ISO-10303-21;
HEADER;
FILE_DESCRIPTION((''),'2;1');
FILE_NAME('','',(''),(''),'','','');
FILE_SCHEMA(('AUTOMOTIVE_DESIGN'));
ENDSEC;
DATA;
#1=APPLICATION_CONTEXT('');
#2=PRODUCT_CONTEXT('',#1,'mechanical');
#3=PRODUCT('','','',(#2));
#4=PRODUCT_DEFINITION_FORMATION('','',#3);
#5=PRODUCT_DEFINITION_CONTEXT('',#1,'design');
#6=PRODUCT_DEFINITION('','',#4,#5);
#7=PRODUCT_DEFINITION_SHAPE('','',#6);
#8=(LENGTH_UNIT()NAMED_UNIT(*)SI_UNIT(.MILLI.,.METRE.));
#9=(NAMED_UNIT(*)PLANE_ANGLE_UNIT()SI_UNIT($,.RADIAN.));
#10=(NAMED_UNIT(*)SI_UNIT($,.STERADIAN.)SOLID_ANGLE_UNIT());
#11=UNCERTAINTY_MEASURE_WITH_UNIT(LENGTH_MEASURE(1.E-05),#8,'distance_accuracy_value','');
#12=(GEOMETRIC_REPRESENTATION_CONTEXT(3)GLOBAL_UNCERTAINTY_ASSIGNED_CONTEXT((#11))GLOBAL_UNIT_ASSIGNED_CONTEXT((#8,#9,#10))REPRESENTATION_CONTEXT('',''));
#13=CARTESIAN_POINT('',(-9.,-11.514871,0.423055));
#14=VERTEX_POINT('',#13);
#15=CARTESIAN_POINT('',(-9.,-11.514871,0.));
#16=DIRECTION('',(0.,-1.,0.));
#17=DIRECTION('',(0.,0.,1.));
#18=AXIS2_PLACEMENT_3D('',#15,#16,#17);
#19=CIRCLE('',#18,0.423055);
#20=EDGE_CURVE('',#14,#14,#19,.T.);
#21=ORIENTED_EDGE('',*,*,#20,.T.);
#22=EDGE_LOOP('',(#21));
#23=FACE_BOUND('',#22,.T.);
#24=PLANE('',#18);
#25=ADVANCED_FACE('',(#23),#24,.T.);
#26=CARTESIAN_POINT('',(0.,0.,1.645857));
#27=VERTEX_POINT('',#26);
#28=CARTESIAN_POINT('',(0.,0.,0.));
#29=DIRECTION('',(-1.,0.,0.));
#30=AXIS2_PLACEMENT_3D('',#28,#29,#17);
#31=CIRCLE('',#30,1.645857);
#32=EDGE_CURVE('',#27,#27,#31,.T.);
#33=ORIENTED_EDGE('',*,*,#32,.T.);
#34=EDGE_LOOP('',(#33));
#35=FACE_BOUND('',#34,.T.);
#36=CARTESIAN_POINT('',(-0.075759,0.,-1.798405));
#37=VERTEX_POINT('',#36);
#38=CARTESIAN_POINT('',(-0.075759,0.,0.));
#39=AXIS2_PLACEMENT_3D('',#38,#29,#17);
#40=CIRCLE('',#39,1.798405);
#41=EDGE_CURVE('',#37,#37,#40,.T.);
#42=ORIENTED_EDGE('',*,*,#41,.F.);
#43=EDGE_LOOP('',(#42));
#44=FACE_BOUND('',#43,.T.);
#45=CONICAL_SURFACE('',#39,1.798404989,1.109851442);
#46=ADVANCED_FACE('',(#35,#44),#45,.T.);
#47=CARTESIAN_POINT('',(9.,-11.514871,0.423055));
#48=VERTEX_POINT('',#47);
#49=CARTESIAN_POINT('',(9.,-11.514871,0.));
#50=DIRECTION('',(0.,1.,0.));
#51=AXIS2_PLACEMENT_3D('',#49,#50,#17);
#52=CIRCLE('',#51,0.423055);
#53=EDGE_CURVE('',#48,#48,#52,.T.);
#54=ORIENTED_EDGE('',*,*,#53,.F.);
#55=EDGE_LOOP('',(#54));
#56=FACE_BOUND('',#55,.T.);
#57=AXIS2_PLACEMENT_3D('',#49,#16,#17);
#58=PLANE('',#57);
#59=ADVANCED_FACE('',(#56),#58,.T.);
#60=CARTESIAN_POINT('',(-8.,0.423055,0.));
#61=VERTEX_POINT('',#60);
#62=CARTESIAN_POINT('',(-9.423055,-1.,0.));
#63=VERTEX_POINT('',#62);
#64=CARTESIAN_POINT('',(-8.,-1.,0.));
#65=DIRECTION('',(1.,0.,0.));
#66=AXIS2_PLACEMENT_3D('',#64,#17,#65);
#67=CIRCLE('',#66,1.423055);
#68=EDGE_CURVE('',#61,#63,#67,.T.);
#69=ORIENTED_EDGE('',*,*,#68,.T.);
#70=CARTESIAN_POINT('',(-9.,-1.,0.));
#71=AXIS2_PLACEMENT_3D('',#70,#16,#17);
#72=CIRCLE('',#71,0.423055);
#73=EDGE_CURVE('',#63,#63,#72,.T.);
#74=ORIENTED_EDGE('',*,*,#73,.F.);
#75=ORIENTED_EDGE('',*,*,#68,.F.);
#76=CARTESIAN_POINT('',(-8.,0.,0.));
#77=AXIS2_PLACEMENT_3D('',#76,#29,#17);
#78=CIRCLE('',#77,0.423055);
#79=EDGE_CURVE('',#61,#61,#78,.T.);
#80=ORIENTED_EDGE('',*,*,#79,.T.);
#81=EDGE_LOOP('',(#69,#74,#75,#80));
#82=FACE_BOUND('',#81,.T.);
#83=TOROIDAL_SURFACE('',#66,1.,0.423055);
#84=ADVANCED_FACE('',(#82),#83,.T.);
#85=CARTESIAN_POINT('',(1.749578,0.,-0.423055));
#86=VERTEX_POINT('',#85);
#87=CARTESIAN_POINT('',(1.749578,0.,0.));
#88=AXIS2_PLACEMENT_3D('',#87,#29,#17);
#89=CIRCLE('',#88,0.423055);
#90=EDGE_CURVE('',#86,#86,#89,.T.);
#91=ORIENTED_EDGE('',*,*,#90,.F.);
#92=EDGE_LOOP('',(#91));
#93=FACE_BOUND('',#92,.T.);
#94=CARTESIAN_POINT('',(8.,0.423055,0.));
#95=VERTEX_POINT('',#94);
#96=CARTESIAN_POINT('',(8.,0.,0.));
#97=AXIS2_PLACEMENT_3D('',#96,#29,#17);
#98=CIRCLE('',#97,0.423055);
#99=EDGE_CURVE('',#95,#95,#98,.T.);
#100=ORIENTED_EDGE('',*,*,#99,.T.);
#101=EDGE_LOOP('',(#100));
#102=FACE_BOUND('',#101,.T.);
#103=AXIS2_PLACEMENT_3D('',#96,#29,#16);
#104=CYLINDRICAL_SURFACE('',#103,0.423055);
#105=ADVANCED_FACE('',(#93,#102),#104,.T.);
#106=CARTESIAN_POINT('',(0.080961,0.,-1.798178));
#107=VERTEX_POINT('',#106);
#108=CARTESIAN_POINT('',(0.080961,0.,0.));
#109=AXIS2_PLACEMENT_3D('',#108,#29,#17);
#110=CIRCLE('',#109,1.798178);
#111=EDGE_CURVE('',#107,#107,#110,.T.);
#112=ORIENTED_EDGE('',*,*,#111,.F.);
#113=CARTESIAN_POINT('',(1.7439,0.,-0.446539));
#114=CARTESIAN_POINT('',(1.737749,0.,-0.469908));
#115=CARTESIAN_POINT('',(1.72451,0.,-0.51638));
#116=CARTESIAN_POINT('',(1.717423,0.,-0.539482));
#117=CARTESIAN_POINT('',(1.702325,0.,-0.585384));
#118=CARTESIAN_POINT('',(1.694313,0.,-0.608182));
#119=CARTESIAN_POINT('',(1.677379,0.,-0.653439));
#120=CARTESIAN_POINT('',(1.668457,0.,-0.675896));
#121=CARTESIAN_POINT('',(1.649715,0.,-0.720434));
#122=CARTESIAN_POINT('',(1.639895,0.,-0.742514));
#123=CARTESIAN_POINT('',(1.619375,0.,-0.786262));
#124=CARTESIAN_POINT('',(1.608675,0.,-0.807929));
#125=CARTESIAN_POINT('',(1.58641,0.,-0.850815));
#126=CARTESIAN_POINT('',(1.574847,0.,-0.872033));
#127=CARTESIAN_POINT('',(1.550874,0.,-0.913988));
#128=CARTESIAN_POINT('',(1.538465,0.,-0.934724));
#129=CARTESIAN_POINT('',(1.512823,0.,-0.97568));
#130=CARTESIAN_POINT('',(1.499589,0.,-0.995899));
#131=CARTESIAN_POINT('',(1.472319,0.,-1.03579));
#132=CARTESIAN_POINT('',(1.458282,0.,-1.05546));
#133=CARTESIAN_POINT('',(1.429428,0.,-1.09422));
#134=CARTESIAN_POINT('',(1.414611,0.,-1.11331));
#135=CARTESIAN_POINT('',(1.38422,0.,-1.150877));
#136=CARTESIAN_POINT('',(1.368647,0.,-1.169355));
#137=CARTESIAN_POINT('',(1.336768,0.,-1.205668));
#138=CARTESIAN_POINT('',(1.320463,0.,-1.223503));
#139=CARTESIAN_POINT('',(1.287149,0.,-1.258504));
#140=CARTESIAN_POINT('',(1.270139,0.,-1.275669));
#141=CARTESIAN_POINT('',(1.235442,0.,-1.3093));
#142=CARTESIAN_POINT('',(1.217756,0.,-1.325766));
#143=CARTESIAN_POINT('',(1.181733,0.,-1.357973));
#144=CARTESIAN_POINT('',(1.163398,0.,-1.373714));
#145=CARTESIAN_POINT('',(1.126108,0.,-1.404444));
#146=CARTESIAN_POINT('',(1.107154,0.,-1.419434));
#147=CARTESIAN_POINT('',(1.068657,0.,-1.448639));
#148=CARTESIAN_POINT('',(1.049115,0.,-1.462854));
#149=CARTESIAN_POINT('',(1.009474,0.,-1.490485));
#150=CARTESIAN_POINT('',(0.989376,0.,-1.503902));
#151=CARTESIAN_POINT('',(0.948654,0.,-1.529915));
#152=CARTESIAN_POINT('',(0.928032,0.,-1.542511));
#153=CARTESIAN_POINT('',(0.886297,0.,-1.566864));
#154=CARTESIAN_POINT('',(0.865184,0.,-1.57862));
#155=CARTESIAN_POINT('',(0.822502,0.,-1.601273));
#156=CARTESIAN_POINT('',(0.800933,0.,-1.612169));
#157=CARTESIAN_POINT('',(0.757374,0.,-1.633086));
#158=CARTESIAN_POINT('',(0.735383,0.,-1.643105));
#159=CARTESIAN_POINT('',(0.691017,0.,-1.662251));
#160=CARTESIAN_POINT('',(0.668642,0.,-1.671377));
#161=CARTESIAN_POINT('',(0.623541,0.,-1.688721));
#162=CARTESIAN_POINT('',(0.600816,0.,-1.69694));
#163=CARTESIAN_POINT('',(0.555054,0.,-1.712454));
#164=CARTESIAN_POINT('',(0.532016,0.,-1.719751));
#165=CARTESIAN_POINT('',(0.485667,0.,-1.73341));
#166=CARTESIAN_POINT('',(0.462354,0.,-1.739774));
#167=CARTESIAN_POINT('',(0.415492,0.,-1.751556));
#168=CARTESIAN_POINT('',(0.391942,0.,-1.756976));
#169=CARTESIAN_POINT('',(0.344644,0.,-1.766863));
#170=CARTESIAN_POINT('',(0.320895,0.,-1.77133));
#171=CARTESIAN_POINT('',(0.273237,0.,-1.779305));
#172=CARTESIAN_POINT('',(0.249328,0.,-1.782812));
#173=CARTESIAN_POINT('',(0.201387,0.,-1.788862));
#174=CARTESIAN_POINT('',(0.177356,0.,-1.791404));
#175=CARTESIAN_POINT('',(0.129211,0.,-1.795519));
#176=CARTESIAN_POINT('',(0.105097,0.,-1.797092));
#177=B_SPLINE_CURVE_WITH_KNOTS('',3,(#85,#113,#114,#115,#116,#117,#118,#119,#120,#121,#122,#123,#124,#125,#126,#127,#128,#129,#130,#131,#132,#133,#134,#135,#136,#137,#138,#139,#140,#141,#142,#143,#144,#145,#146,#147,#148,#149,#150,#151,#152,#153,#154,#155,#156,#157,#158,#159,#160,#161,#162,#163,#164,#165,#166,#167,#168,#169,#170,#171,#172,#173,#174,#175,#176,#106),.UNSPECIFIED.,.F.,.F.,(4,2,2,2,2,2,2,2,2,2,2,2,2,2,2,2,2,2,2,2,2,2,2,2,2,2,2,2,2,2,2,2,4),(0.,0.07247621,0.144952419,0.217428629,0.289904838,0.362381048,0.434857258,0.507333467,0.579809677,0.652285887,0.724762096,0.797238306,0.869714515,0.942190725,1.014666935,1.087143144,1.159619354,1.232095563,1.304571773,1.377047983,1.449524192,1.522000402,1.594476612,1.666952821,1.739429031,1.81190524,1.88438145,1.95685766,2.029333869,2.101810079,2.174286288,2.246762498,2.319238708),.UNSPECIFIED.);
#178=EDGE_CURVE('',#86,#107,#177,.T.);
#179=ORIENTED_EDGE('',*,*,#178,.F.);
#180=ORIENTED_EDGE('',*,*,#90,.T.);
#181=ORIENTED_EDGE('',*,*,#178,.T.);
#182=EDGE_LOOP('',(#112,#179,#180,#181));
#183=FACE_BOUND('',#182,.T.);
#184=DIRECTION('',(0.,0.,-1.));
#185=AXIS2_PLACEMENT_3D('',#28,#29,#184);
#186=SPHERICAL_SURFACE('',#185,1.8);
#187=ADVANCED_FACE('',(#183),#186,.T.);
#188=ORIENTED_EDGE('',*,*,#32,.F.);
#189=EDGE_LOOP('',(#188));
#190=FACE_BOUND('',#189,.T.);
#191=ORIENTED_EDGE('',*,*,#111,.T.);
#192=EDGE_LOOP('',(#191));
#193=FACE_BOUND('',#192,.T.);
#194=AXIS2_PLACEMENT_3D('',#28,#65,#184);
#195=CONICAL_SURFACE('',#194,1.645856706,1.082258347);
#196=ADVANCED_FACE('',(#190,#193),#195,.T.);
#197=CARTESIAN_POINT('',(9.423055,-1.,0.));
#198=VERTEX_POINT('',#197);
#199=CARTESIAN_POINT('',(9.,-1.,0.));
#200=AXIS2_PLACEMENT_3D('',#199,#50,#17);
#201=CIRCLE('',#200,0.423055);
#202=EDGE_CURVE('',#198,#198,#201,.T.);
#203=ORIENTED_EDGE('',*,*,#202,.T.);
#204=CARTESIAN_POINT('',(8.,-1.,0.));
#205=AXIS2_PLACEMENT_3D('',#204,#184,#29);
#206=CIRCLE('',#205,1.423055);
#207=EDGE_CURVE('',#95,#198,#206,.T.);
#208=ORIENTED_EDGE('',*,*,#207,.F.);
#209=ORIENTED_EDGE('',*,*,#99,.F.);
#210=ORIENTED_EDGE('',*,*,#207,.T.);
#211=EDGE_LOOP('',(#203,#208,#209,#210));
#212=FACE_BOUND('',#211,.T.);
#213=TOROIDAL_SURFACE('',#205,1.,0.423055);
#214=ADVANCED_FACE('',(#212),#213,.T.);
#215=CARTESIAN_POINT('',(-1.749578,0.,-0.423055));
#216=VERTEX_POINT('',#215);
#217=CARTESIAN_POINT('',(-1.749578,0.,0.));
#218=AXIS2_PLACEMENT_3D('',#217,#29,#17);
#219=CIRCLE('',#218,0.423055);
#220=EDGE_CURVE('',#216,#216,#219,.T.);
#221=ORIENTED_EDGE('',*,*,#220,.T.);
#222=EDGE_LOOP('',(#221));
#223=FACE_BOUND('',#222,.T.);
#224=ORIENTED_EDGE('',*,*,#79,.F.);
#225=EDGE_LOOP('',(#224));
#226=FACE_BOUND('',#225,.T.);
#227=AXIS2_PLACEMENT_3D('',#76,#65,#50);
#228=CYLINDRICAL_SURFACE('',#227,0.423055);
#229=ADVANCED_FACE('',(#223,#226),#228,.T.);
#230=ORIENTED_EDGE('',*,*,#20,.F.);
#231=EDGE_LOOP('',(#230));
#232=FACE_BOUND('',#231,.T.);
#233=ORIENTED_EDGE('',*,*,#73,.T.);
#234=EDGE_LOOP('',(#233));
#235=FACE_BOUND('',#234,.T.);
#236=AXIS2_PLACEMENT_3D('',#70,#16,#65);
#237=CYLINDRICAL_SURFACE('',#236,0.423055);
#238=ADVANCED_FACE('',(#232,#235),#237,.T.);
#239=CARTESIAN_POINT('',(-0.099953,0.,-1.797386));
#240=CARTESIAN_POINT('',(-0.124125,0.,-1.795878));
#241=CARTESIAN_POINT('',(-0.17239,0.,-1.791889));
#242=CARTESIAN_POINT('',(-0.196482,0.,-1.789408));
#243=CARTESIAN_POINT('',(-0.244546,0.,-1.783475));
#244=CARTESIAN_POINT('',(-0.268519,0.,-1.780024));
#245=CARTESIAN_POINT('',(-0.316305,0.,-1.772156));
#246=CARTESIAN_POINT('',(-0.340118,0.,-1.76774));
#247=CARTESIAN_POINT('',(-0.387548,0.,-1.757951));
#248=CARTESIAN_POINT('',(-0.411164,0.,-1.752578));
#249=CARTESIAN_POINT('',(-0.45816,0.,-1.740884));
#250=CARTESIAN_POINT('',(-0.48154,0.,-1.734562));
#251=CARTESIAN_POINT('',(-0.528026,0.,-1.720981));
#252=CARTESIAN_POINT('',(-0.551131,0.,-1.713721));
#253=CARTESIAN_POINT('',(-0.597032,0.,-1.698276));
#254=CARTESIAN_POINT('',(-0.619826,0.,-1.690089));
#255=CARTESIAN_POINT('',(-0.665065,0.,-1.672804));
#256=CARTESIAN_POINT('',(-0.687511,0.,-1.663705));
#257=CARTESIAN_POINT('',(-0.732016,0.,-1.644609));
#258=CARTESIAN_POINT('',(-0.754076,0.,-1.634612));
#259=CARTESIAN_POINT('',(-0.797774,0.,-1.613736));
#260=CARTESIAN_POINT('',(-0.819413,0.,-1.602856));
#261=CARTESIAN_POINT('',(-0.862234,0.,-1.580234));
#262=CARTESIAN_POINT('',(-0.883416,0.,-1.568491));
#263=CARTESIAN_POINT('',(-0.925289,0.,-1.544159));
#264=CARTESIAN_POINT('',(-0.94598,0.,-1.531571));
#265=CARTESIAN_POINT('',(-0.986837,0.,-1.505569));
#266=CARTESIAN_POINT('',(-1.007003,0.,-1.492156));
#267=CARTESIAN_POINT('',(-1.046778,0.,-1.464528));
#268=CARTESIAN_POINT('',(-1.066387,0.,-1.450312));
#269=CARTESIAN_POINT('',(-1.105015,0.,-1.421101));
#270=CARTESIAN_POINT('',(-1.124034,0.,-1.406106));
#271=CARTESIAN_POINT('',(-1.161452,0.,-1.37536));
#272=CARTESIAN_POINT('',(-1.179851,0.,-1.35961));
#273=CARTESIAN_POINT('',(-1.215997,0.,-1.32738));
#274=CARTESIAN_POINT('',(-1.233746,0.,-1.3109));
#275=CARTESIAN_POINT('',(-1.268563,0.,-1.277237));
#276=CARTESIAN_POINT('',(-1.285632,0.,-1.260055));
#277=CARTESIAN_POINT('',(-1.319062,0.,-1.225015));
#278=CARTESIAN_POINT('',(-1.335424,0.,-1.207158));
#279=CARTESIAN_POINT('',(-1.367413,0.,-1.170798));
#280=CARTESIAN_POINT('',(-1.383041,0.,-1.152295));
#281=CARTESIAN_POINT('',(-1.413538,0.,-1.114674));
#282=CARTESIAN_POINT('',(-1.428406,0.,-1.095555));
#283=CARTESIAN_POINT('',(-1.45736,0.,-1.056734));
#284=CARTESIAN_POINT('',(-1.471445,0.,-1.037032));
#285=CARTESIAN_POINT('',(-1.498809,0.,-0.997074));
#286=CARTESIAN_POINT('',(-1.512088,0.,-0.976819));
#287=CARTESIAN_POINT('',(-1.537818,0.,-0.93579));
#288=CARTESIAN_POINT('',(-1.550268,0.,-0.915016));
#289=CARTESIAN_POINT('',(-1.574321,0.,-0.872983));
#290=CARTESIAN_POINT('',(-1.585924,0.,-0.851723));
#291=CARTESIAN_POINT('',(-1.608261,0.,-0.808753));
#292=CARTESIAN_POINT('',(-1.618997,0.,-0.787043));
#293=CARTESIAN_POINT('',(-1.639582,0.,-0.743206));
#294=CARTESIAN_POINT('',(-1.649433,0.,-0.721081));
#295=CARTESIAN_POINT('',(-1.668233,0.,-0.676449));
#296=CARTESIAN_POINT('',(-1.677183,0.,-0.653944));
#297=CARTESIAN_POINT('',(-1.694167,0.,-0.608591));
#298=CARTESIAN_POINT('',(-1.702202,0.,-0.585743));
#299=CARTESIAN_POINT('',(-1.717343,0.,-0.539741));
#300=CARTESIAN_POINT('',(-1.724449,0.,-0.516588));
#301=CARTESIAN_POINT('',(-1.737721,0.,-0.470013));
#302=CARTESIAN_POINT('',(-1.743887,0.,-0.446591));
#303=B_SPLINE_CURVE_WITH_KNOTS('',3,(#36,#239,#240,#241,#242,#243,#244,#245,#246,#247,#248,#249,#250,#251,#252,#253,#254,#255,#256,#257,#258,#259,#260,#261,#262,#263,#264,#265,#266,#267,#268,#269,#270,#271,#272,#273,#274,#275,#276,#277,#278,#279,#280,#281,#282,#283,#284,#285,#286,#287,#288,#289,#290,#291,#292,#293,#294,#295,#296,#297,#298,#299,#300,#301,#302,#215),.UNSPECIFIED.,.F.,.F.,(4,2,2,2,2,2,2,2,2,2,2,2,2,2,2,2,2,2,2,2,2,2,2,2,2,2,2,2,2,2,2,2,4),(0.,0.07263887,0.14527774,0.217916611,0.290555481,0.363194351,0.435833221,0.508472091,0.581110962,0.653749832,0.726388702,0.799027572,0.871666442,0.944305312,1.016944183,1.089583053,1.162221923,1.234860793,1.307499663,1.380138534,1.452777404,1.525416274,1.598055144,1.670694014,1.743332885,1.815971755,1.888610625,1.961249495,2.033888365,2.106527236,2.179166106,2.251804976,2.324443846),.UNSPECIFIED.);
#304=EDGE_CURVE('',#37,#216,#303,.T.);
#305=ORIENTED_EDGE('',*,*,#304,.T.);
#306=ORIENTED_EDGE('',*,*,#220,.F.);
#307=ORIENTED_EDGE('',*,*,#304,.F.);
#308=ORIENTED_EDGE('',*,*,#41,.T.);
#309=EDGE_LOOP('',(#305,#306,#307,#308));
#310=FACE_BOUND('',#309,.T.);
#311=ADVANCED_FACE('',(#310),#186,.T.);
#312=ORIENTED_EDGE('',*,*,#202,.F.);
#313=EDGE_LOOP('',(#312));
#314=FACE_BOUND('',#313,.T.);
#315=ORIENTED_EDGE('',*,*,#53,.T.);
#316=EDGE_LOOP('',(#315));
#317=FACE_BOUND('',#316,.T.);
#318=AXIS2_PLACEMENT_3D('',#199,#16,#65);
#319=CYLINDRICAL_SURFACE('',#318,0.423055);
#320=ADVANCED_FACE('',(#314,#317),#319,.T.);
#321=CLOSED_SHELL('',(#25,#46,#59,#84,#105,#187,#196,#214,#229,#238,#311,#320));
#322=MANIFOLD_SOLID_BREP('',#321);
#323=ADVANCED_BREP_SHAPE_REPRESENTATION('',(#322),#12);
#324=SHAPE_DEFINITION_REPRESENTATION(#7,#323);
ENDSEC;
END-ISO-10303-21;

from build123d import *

# Parameters (mm, degrees)
SKETCH_3_R = 0.423054932


with BuildPart() as part:
    # Эскиз1 → Повернуть2 (revolve)
    with BuildSketch(Plane(origin=(0, 0, 0), x_dir=(1, 0, 0), z_dir=(0, 1, 0))):
        with BuildLine():
            Line((-1.749578385, 0.423054932), (-1.749578385, 0))
            Line((-1.749578385, 0), (1.749578385, 0))
            Line((1.749578385, 0), (1.749578385, 0.423054932))
            ThreePointArc((1.749578385, 0.423054932), (1.144753012, 1.389079027), (0.080960724, 1.798178345))
            Line((0.080960724, 1.798178345), (0, 1.645856706))
            Line((0, 1.645856706), (-0.075759465, 1.798404989))
            ThreePointArc((-0.075759465, 1.798404989), (-1.142742977, 1.390733076), (-1.749578385, 0.423054932))
        make_face()
    revolve(axis=Axis((-29.751182373, 0, 0), (1, 0, 0)))

    # По траектории1: sweep along a path in Эскиз2
    with BuildLine(Plane.XY) as sweep_1_path:
        Line((0, 0), (-8, 0))
        ThreePointArc((-8, 0), (-8.707106781, -0.292893219), (-9, -1))
        Line((-9, -1), (-9, -11.514871198))
    # Эскиз3 → По траектории1 (sweep)
    with BuildSketch(Plane.ZY.offset(1.749578385)):
        Circle(SKETCH_3_R)
    sweep_1 = sweep(path=sweep_1_path.line)

    # Зеркальное отражение1: По траектории1 across plane
    add(sweep_1.mirror(Plane(origin=(0, 0, 0), x_dir=(0, 0, 1), z_dir=(1, 0, 0))))


solid = part.part
